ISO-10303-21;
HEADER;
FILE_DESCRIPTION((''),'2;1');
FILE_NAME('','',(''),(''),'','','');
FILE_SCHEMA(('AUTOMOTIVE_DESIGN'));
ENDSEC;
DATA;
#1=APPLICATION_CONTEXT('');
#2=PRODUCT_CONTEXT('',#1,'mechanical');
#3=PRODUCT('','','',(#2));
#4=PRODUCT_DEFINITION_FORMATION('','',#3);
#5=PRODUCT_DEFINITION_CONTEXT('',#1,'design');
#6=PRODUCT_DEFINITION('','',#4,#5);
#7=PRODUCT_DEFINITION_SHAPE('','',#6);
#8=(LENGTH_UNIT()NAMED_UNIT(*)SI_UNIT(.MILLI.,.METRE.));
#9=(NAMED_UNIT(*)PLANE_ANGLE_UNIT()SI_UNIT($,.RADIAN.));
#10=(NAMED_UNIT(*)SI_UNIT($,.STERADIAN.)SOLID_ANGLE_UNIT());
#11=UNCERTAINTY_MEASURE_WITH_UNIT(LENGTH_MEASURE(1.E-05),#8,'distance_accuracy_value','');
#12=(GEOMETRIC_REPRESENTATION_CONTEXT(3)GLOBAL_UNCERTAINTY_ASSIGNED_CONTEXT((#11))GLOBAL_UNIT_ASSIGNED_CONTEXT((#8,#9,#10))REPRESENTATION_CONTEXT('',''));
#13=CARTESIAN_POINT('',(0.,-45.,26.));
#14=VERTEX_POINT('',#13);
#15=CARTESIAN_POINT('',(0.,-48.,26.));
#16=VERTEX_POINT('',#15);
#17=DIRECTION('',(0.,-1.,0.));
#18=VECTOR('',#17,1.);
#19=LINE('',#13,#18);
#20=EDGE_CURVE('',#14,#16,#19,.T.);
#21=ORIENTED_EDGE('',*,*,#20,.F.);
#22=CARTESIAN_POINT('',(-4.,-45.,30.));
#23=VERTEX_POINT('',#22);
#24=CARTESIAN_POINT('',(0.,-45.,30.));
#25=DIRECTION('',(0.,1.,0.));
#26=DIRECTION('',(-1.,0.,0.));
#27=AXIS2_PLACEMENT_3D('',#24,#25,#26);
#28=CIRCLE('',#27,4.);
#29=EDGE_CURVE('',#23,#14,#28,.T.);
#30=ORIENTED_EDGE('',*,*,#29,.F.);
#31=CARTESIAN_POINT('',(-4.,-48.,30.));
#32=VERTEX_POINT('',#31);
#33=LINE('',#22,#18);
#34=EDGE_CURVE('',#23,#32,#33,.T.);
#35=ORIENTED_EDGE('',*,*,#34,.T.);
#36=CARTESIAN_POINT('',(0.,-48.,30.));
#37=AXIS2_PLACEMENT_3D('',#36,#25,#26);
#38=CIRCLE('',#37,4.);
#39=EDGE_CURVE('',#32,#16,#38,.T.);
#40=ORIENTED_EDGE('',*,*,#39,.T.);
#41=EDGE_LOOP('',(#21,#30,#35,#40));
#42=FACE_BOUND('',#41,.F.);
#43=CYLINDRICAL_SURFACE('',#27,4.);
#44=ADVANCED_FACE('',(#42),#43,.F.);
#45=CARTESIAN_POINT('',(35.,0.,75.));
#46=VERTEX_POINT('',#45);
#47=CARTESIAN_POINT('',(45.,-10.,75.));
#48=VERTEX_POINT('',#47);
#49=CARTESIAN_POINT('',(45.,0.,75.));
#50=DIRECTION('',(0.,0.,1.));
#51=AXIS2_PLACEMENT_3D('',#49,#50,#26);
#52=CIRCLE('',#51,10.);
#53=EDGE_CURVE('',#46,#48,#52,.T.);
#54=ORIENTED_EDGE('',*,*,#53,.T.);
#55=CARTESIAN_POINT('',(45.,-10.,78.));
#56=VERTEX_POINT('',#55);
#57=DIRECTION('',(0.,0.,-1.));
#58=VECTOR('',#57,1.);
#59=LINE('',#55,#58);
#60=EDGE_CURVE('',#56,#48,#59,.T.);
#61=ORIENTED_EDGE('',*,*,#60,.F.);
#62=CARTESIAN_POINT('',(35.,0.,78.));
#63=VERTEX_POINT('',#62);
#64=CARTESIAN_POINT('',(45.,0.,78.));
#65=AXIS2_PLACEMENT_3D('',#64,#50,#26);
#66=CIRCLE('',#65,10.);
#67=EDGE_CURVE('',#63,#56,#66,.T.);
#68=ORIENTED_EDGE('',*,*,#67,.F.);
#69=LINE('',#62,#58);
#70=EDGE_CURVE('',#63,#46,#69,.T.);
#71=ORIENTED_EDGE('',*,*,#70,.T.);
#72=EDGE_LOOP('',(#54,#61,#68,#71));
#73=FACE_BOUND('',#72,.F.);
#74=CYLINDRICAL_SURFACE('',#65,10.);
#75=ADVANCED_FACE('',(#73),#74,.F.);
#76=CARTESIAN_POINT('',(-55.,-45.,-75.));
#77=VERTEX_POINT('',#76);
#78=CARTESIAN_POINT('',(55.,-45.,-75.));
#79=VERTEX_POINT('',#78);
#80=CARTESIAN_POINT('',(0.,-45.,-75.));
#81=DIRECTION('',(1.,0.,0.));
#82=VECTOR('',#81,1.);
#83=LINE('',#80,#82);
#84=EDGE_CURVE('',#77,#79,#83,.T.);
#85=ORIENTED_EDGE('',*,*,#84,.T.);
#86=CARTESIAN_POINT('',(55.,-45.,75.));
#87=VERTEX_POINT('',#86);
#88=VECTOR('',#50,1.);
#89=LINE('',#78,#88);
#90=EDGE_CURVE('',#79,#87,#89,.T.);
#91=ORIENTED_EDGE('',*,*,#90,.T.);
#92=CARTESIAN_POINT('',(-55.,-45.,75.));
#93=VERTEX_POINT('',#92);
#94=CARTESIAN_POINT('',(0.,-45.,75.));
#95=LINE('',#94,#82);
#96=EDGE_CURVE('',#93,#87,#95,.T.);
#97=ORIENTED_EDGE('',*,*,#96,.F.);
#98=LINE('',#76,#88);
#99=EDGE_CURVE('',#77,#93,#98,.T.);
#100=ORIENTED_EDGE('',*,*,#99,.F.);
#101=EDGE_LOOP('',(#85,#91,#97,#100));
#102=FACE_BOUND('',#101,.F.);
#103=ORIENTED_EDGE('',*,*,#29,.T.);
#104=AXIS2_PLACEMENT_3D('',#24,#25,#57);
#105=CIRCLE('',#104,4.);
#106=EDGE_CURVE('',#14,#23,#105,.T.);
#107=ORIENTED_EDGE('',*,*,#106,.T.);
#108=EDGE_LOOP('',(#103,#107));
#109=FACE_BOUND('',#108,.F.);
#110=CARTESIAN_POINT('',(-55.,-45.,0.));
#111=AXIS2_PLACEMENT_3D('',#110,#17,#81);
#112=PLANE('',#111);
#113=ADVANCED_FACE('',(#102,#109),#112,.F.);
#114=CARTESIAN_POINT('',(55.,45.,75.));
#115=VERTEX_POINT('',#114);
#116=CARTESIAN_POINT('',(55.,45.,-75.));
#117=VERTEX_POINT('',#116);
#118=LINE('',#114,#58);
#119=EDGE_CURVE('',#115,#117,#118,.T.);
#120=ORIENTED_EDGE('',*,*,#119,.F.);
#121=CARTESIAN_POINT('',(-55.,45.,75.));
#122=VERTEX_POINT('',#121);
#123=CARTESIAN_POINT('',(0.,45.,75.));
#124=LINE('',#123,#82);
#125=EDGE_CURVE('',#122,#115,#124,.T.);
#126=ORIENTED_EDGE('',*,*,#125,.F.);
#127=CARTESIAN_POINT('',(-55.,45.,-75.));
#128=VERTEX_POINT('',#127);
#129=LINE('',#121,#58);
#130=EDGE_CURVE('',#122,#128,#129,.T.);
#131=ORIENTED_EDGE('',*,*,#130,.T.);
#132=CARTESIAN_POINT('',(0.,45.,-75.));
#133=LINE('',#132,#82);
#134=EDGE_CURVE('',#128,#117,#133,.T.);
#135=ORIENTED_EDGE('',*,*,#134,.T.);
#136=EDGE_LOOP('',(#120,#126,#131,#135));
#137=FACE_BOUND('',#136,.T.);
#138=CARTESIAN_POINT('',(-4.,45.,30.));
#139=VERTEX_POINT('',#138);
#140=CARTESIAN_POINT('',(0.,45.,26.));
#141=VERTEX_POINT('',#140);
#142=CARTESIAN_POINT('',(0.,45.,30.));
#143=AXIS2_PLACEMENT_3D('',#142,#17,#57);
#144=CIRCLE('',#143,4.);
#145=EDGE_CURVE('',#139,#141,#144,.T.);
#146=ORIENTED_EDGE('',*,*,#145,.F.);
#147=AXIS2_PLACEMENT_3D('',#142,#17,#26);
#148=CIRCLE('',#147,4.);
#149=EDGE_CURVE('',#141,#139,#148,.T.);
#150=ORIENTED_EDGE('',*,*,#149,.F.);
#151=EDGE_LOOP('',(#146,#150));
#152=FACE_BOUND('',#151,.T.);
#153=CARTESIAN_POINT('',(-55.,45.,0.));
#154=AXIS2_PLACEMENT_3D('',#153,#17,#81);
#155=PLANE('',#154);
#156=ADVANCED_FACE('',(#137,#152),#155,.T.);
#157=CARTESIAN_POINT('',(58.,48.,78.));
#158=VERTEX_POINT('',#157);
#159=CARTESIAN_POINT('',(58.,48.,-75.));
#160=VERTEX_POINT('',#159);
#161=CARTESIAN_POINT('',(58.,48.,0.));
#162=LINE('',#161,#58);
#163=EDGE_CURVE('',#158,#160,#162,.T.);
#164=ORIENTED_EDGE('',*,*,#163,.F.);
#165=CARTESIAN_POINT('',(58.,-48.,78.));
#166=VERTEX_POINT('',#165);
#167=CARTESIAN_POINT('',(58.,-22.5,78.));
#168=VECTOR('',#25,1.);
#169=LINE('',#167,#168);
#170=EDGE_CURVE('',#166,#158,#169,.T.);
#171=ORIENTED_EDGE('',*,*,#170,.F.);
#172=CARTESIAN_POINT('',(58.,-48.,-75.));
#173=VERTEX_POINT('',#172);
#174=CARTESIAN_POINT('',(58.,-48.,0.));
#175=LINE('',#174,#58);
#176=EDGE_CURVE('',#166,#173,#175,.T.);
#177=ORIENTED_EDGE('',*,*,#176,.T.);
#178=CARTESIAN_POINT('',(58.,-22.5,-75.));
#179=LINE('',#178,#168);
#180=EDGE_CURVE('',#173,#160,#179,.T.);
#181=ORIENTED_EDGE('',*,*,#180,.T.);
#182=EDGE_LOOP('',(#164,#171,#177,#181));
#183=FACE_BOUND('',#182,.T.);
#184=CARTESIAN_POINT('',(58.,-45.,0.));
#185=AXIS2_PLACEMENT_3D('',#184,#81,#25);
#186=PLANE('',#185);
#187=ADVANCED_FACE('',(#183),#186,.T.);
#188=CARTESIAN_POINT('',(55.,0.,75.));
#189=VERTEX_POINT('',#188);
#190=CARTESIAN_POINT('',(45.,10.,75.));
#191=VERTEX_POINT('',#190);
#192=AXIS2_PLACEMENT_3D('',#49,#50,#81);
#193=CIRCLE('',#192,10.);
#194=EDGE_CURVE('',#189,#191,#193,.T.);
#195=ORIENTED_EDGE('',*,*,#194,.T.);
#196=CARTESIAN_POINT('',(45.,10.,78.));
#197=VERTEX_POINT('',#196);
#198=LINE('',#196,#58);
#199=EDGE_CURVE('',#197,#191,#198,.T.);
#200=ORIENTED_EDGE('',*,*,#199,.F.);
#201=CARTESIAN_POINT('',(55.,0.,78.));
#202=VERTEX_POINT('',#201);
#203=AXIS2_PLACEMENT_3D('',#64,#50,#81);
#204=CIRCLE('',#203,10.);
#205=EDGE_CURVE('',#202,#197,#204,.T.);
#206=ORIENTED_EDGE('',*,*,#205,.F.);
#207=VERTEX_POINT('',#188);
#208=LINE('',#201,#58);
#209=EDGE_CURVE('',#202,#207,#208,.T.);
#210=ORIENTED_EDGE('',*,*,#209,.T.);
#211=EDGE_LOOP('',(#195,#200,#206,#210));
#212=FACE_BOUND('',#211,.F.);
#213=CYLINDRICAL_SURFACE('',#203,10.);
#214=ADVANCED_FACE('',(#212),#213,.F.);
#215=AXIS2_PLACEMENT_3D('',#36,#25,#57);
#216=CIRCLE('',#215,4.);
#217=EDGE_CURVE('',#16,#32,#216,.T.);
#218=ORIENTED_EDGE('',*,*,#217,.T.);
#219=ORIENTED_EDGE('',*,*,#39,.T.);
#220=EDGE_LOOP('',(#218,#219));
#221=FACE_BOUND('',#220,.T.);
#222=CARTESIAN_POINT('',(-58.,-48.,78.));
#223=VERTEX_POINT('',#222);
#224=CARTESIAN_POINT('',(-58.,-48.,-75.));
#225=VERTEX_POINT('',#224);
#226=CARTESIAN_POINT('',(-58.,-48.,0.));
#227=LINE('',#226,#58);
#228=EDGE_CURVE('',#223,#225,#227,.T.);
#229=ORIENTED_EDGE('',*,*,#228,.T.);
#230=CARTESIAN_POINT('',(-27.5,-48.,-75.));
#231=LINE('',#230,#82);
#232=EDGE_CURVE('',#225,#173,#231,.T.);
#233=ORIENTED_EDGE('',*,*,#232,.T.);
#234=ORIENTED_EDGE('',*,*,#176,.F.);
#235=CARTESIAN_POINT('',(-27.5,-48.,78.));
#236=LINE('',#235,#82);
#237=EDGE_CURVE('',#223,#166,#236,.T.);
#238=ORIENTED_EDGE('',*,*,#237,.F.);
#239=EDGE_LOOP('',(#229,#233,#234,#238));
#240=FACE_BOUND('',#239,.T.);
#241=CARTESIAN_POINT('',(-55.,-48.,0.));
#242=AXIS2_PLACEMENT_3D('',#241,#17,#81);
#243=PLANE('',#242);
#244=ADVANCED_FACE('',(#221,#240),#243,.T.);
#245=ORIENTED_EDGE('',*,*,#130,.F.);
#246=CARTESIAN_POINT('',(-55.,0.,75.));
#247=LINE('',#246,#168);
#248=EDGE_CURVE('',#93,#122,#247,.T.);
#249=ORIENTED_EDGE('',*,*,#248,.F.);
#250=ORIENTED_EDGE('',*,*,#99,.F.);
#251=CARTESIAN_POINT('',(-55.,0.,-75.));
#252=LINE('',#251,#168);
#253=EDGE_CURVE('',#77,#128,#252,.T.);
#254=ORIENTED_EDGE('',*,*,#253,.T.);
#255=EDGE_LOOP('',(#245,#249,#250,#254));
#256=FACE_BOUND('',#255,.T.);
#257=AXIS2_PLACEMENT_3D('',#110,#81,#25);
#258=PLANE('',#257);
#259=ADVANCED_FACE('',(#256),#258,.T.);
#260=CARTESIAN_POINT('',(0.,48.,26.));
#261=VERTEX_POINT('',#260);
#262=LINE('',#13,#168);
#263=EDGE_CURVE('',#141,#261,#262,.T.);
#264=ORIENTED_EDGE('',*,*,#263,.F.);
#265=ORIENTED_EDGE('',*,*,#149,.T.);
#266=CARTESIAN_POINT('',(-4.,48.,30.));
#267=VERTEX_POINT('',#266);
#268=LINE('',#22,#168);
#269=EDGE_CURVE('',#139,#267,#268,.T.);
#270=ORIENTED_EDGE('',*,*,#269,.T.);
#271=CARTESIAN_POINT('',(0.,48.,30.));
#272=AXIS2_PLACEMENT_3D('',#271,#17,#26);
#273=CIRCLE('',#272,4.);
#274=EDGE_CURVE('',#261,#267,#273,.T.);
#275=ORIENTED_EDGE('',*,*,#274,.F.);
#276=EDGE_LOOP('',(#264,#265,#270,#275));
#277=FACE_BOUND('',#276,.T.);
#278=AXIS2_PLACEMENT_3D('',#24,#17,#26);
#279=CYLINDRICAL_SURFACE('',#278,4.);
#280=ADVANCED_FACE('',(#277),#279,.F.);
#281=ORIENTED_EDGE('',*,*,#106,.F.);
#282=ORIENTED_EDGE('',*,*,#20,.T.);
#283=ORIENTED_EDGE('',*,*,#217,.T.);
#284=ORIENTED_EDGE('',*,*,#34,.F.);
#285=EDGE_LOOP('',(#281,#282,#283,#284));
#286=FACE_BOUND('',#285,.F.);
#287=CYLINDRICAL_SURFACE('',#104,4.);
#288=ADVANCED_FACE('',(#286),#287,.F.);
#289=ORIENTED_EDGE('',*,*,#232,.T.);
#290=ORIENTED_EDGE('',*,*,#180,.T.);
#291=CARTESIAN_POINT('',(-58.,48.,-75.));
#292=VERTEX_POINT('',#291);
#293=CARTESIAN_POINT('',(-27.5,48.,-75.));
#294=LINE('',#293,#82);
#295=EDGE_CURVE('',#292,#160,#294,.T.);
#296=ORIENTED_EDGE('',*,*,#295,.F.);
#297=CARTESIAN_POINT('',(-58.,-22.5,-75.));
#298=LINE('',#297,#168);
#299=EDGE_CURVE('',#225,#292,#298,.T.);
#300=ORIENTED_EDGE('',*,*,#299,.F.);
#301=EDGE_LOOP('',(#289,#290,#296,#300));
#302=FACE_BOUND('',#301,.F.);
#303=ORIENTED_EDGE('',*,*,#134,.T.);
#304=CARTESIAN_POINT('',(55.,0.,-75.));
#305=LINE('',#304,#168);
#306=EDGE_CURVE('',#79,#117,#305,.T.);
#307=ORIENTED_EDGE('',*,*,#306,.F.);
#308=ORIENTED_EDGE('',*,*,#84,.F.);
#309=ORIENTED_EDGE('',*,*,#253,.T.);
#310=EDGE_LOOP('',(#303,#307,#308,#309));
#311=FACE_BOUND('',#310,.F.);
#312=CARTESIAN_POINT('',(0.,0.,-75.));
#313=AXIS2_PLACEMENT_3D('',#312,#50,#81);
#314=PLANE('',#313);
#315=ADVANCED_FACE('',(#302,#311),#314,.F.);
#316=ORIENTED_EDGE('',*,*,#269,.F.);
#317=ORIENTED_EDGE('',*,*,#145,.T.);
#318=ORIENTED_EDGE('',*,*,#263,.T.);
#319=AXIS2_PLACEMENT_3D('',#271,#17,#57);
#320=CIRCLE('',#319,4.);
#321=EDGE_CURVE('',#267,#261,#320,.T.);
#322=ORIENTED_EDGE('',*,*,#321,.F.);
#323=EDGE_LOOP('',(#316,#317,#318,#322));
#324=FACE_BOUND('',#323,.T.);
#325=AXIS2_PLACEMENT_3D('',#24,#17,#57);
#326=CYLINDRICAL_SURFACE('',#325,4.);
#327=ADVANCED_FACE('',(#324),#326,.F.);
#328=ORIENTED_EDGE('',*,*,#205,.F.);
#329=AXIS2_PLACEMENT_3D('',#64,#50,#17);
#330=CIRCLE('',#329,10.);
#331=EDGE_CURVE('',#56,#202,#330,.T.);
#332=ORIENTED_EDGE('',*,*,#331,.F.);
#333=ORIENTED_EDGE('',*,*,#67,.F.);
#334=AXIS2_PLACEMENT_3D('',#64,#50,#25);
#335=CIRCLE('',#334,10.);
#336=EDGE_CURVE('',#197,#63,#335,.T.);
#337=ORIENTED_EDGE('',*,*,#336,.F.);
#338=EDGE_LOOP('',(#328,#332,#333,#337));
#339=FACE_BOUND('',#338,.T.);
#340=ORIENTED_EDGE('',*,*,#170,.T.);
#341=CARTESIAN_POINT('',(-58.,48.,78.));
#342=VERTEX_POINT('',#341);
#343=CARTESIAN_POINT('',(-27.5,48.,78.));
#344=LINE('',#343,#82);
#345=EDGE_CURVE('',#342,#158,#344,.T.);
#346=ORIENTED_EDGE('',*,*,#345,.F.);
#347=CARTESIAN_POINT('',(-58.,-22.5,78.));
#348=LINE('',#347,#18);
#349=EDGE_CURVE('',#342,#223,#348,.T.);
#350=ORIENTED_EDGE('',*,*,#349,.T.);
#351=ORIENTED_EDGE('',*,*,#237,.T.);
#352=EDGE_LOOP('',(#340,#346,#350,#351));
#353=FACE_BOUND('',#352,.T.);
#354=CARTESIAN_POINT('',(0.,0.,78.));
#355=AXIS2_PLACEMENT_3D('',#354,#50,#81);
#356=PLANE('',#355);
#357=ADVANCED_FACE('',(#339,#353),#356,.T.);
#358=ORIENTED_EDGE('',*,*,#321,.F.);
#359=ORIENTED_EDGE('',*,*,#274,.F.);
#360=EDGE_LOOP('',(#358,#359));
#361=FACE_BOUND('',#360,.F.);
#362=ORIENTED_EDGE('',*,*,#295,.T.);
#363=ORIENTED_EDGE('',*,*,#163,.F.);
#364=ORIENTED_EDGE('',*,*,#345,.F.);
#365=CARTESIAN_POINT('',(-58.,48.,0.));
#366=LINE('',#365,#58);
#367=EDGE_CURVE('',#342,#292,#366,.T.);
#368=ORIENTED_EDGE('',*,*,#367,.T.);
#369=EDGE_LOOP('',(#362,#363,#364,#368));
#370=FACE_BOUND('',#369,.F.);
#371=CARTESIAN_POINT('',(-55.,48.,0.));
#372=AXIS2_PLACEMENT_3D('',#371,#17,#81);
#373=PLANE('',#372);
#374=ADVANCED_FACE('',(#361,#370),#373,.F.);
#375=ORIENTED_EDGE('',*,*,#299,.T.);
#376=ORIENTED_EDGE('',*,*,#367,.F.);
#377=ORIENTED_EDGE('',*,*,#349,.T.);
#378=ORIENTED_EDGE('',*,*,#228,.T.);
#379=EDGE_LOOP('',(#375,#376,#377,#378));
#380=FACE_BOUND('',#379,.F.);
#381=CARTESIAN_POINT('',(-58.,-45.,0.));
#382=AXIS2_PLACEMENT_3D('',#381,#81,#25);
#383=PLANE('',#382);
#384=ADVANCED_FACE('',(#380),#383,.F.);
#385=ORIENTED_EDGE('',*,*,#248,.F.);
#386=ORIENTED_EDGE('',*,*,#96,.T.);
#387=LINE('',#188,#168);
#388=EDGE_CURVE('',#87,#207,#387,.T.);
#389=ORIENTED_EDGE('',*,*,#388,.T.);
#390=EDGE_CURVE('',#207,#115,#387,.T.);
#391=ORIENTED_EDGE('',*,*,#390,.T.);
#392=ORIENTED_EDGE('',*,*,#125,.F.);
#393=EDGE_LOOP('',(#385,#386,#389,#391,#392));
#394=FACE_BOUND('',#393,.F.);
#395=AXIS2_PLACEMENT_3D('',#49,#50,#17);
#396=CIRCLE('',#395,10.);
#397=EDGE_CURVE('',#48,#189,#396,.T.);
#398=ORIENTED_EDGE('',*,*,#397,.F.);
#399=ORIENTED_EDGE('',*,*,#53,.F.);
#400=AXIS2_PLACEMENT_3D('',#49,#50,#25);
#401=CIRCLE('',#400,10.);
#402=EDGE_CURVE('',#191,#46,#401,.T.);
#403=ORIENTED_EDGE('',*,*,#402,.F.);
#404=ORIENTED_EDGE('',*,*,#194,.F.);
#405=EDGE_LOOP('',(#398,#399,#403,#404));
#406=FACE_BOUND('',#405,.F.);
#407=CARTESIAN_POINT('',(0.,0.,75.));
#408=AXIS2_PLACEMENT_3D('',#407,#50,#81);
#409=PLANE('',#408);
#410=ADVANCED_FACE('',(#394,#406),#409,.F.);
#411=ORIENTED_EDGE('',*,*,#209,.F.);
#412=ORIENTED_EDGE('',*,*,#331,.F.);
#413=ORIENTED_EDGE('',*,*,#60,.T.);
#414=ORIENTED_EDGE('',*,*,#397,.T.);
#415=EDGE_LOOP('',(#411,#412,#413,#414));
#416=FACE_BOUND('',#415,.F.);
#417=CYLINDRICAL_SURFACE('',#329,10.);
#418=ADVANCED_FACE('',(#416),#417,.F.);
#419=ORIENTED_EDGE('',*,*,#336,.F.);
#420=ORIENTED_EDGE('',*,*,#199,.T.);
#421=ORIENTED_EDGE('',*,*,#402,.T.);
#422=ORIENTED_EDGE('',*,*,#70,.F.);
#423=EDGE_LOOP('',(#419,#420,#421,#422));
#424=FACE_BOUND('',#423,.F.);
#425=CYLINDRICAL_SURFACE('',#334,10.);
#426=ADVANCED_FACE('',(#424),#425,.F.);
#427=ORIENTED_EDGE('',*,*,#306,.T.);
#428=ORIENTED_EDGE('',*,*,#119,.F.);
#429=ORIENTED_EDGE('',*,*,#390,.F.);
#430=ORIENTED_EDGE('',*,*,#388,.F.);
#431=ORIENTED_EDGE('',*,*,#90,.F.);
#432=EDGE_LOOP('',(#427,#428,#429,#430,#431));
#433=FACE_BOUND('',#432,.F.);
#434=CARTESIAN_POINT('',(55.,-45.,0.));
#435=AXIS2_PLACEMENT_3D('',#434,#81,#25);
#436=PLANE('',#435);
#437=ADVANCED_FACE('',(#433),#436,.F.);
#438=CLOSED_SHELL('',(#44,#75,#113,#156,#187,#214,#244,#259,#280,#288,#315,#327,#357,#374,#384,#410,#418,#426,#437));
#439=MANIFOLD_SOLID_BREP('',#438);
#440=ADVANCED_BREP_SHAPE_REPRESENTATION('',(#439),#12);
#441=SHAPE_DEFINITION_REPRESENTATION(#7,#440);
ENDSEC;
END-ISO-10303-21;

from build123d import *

# Parameters (mm, degrees)
F0_W          = 110
F0_H          = 90
F1_DEPTH      = 75
F2_T          = 3
F4_DEPTH      = 25.4
F6_DEPTH      = 25.4
F6_DEPTH_BACK = 126.746


with BuildPart() as f1:
    # F0 (on Top) → F1 (new body, symmetric)
    with BuildSketch(Plane.XY):
        Rectangle(F0_W, F0_H)
    extrude(amount=F1_DEPTH, both=True)

    # F2
    f2_openings = [f1.faces().sort_by_distance(p)[0] for p in [
        (0, 0, -75),
    ]]
    offset(amount=F2_T, openings=f2_openings, kind=Kind.INTERSECTION)

    # F3 (on face) → F4 (cut)
    with BuildSketch(Plane.XY.offset(78)):
        with BuildLine():
            ThreePointArc((45, -10), (52.0710678119, -7.0710678119), (55, 0))
            ThreePointArc((55, 0), (52.0710678119, 7.0710678119), (45, 10))
            ThreePointArc((45, 10), (37.9289321881, 7.0710678119), (35, 0))
            ThreePointArc((35, 0), (37.9289321881, -7.0710678119), (45, -10))
        make_face()
    extrude(amount=-F4_DEPTH, mode=Mode.SUBTRACT)

    # F5 (on face) → F6 (cut, two sides)
    with BuildSketch(Plane(origin=(0, -45, 0), x_dir=(-1, 0, 0), z_dir=(0, 1, 0))) as f6_sk:
        with BuildLine():
            ThreePointArc((4, 30), (-2.8284271247, 32.8284271247), (0, 26))
            ThreePointArc((0, 26), (2.8284271247, 27.1715728753), (4, 30))
        make_face()
    extrude(amount=-F6_DEPTH, mode=Mode.SUBTRACT)
    extrude(f6_sk.sketch, amount=F6_DEPTH_BACK, mode=Mode.SUBTRACT)


solid = f1.part
